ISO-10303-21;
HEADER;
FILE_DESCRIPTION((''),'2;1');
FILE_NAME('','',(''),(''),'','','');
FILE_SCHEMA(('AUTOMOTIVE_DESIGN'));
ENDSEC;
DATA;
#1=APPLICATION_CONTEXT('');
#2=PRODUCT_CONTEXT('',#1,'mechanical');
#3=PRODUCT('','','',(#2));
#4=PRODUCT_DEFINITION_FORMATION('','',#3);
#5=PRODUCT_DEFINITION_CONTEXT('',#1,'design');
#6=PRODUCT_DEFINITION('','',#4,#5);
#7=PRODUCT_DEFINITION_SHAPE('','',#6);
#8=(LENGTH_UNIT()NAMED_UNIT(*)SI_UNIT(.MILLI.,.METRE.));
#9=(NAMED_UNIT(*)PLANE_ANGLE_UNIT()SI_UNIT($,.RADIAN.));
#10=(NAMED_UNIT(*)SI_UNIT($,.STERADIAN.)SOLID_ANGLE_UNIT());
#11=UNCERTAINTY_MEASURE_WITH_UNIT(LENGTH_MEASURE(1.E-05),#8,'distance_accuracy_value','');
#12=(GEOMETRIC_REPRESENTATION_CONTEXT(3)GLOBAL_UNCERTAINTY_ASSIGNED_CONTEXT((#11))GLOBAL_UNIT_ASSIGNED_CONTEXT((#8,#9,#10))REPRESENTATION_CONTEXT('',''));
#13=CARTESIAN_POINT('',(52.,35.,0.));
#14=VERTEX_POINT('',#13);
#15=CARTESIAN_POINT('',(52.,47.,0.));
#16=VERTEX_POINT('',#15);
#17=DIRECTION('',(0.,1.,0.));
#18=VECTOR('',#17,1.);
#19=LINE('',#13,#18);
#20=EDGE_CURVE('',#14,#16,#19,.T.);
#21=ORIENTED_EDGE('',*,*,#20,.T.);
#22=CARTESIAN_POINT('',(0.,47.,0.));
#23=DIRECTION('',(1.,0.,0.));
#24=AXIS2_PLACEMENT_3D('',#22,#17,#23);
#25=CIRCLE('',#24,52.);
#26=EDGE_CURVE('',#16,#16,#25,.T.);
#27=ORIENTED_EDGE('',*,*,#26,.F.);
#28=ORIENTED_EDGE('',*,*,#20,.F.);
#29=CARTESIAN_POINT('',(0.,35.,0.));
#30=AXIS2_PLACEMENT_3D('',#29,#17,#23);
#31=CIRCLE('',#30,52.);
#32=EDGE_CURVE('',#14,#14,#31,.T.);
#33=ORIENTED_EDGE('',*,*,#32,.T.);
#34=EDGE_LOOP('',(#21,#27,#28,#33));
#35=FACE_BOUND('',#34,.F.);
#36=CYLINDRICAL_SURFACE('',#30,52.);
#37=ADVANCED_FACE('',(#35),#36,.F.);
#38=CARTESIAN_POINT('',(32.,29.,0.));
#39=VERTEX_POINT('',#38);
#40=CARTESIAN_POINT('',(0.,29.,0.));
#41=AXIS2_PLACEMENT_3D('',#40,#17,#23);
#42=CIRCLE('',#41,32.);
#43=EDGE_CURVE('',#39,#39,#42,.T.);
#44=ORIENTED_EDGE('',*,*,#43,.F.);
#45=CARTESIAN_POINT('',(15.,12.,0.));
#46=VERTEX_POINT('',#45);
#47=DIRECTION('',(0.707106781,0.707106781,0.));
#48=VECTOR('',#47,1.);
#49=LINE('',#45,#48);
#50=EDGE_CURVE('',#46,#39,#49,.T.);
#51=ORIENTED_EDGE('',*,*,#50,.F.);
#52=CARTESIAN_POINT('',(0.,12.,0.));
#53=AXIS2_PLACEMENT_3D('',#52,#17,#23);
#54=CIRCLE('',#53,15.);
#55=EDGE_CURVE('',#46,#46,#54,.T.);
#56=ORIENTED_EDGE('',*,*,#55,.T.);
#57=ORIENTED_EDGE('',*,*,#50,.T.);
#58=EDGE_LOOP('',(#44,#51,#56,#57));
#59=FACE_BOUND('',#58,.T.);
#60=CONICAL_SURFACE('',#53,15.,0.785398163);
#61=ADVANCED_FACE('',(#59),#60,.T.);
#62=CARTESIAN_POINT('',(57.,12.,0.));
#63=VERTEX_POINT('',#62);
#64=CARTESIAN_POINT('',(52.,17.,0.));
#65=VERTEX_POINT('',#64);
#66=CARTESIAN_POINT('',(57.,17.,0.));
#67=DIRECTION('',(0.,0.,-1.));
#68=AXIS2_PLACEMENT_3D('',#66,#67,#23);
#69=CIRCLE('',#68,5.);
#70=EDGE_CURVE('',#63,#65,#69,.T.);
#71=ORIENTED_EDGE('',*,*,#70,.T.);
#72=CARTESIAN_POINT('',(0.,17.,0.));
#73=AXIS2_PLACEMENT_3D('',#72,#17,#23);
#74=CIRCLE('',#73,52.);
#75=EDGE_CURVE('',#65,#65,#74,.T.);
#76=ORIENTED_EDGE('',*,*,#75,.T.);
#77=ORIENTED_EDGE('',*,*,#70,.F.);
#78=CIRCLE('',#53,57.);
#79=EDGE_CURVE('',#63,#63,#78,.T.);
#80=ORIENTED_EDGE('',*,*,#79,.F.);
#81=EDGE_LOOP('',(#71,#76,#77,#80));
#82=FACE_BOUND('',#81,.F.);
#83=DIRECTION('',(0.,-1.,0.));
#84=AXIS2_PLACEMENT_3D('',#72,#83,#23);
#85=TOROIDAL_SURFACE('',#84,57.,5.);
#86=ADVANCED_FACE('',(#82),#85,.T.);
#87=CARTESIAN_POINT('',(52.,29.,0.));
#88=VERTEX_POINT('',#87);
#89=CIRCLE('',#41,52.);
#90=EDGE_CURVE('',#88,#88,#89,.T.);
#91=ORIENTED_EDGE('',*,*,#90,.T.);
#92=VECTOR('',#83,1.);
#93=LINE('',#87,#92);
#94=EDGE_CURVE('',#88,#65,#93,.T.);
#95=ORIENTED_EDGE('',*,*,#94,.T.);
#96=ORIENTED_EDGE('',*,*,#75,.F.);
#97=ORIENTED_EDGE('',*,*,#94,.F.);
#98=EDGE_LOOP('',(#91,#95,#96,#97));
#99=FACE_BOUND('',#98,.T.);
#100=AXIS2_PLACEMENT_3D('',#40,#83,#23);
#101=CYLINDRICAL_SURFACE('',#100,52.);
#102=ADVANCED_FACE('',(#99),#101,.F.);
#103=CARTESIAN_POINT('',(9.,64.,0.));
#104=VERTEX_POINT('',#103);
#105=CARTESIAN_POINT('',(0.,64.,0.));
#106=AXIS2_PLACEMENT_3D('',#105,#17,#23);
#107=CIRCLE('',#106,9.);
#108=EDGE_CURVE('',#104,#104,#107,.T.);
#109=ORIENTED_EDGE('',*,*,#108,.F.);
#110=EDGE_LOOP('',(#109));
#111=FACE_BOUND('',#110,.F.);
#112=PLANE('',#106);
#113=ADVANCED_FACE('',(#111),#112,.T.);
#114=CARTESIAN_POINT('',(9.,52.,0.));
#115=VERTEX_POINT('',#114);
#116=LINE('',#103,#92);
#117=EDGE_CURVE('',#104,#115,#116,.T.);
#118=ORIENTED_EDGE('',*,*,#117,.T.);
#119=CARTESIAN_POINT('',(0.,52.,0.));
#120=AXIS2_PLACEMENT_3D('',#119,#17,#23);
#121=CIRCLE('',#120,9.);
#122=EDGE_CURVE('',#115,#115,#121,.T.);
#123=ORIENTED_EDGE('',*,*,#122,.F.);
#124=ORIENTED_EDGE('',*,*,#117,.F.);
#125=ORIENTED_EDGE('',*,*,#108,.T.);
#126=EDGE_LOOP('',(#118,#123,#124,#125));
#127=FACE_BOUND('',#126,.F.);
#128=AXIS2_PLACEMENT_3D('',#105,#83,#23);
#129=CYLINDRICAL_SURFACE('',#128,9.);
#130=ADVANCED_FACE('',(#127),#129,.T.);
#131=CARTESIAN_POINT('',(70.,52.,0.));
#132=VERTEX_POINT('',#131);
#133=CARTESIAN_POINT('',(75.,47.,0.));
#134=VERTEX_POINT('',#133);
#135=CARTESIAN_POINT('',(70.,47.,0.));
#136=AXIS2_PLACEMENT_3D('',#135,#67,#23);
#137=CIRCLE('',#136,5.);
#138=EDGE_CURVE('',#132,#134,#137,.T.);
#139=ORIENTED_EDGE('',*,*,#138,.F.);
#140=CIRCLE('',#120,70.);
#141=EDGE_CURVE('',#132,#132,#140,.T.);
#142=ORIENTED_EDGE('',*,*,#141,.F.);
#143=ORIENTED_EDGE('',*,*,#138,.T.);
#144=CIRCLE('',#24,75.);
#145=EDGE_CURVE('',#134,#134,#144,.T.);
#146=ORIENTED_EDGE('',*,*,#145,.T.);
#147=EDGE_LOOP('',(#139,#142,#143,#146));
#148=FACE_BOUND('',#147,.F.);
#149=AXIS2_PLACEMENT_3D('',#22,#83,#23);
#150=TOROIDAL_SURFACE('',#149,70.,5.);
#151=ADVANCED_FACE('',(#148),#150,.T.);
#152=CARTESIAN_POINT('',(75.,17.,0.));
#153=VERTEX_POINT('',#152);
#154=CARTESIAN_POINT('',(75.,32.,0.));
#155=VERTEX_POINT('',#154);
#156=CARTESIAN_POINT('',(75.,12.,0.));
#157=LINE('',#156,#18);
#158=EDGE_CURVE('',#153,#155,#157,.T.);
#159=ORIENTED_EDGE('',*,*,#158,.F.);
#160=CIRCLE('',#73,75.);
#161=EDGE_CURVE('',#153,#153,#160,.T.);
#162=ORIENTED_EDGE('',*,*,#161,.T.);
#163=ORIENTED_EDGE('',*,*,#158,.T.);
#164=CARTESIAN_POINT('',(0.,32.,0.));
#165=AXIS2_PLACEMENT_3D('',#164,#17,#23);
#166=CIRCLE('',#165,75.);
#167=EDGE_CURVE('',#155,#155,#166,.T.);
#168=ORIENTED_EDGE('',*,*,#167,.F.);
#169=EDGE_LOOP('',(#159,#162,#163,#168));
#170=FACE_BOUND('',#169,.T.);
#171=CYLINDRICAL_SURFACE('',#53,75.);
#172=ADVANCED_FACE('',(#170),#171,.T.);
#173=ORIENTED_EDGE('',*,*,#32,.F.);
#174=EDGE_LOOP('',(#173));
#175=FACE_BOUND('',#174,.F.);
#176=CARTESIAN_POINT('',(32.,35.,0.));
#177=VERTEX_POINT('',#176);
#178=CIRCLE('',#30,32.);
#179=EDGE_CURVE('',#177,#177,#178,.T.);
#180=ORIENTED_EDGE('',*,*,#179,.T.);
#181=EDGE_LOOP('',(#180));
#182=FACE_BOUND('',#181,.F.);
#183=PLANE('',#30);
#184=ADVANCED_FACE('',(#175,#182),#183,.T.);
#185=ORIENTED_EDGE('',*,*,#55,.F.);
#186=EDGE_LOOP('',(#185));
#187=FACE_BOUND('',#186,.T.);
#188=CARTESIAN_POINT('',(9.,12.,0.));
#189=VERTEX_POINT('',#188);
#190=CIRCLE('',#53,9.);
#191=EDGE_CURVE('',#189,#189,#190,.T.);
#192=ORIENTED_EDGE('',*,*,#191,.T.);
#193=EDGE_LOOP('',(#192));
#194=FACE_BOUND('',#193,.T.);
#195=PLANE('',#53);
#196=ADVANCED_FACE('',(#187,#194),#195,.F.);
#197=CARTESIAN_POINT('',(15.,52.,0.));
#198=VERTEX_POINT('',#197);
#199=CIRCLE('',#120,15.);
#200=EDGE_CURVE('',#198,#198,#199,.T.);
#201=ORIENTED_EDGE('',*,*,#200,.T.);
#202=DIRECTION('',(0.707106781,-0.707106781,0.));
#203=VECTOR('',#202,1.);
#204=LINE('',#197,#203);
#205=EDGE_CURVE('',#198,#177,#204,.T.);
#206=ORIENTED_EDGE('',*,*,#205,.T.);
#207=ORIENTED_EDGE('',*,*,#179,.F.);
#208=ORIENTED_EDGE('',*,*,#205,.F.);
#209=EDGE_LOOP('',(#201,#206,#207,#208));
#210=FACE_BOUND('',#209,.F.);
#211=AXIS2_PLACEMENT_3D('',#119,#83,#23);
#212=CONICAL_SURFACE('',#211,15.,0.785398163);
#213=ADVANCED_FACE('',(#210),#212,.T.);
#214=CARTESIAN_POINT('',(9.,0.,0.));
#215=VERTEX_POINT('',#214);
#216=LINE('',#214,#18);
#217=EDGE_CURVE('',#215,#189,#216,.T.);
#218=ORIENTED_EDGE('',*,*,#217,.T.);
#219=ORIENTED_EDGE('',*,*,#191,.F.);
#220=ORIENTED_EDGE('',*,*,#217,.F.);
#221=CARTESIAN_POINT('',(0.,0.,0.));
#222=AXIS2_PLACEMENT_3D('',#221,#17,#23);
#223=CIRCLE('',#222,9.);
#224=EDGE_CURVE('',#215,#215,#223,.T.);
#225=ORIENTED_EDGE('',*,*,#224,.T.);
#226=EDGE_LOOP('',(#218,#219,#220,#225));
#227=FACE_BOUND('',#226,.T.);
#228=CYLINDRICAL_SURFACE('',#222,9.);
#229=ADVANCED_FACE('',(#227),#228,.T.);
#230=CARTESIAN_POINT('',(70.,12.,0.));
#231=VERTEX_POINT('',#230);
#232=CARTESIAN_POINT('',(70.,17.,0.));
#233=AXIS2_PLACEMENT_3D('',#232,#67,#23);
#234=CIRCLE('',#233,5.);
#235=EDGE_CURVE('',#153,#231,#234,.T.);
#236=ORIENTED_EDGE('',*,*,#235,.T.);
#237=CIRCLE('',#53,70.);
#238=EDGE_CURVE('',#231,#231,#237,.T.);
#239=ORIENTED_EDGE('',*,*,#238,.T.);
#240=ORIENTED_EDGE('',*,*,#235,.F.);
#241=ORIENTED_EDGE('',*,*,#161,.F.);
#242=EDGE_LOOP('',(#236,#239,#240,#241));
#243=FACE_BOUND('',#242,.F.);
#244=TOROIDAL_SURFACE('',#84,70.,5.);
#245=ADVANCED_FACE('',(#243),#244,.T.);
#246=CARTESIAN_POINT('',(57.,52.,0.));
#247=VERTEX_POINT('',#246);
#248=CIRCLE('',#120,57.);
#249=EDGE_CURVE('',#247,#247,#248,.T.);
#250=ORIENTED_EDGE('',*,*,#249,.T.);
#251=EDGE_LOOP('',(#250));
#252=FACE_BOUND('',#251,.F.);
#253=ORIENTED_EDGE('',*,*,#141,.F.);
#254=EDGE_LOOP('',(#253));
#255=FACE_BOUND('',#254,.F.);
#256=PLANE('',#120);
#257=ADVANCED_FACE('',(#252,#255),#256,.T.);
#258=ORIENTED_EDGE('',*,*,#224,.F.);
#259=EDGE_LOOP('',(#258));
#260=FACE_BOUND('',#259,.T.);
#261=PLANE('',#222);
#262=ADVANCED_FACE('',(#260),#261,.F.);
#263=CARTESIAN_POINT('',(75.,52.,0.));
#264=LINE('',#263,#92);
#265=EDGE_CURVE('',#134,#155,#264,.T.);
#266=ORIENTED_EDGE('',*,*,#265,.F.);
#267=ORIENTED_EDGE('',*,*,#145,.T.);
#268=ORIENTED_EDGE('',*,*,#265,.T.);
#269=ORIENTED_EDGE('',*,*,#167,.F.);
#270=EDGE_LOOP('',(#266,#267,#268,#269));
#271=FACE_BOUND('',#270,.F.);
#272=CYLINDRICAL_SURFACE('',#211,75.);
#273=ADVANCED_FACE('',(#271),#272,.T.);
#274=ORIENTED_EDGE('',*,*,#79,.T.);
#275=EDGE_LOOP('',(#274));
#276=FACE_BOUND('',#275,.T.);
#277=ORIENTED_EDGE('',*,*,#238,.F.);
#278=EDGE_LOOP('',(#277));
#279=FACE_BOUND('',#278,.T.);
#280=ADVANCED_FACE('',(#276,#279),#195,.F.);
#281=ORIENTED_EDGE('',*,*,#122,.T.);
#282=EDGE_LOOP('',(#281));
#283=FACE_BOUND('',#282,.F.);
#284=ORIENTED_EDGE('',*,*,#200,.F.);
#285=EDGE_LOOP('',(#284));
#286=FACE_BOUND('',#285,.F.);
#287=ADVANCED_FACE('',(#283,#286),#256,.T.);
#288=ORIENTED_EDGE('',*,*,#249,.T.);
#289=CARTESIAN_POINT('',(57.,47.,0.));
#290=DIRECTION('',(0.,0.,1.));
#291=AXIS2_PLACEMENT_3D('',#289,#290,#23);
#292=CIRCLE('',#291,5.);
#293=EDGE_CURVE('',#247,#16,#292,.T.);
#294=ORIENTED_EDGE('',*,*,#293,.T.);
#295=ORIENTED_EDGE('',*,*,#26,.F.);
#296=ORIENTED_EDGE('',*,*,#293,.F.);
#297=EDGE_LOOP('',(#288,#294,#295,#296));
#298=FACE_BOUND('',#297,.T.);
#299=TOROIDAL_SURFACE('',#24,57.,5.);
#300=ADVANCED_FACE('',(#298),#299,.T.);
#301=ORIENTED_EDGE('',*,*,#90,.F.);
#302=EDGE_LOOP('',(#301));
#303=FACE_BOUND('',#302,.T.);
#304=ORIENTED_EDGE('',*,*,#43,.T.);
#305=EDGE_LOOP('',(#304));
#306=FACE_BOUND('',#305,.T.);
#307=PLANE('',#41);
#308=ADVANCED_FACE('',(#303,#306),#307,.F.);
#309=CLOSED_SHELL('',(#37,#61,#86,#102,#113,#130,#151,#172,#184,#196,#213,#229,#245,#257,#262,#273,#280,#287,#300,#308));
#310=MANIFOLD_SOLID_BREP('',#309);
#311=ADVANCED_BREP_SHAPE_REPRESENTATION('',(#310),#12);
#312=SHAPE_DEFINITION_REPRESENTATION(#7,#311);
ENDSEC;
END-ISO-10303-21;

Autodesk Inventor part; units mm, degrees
ref_plane "YZ Plane" through (0, 0, 0) normal (1, 0, 0) x (0, 1, 0)
ref_plane "XZ Plane" through (0, 0, 0) normal (0, 1, 0) x (-1, 0, 0)
ref_plane "XY Plane" through (0, 0, 0) normal (0, 0, 1) x (1, 0, 0)
sketch "スケッチ1" plane through (0, 0, 0) normal (0, 0, 1) x (1, 0, 0)
  line L0 (0, 0) -> (0, 64)
  line L1 (0, 32) -> (75, 32) construction
  line L2 (0, 0) -> (9, 0)
  line L3 (9, 0) -> (9, 12)
  line L4 (9, 12) -> (15, 12)
  line L5 (15, 12) -> (32, 29)
  line L6 (32, 29) -> (52, 29)
  line L7 (52, 29) -> (52, 12)
  line L8 (52, 12) -> (75, 12)
  line L9 (75, 12) -> (75, 32)
  line L10 (0, 64) -> (9, 64)
  line L11 (9, 64) -> (9, 52)
  line L12 (9, 52) -> (15, 52)
  line L13 (15, 52) -> (32, 35)
  line L14 (32, 35) -> (52, 35)
  line L15 (52, 35) -> (52, 52)
  line L16 (52, 52) -> (75, 52)
  line L17 (75, 52) -> (75, 32)
  dimension "d0" = 9
  dimension "d1" = 12
  dimension "d3" = 3
  dimension "d6" = 20
  dimension "d7" = 135
  dimension "d8" = 75
  dimension "d9" = 20
  dimension "d10" = 20
  dimension "d14" = 15
revolve "回転1" add sketch "スケッチ1" angle 360 about axis through (0, 0, 0) along (0, 1, 0)
fillet "フィレット1" radius 5 2 edges at (-75, 12, 0) (-75, 52, 0)
fillet "フィレット2" radius 5 2 edges at (-52, 12, 0) (-52, 52, 0)
properties part number "自由輪パーツ3"
